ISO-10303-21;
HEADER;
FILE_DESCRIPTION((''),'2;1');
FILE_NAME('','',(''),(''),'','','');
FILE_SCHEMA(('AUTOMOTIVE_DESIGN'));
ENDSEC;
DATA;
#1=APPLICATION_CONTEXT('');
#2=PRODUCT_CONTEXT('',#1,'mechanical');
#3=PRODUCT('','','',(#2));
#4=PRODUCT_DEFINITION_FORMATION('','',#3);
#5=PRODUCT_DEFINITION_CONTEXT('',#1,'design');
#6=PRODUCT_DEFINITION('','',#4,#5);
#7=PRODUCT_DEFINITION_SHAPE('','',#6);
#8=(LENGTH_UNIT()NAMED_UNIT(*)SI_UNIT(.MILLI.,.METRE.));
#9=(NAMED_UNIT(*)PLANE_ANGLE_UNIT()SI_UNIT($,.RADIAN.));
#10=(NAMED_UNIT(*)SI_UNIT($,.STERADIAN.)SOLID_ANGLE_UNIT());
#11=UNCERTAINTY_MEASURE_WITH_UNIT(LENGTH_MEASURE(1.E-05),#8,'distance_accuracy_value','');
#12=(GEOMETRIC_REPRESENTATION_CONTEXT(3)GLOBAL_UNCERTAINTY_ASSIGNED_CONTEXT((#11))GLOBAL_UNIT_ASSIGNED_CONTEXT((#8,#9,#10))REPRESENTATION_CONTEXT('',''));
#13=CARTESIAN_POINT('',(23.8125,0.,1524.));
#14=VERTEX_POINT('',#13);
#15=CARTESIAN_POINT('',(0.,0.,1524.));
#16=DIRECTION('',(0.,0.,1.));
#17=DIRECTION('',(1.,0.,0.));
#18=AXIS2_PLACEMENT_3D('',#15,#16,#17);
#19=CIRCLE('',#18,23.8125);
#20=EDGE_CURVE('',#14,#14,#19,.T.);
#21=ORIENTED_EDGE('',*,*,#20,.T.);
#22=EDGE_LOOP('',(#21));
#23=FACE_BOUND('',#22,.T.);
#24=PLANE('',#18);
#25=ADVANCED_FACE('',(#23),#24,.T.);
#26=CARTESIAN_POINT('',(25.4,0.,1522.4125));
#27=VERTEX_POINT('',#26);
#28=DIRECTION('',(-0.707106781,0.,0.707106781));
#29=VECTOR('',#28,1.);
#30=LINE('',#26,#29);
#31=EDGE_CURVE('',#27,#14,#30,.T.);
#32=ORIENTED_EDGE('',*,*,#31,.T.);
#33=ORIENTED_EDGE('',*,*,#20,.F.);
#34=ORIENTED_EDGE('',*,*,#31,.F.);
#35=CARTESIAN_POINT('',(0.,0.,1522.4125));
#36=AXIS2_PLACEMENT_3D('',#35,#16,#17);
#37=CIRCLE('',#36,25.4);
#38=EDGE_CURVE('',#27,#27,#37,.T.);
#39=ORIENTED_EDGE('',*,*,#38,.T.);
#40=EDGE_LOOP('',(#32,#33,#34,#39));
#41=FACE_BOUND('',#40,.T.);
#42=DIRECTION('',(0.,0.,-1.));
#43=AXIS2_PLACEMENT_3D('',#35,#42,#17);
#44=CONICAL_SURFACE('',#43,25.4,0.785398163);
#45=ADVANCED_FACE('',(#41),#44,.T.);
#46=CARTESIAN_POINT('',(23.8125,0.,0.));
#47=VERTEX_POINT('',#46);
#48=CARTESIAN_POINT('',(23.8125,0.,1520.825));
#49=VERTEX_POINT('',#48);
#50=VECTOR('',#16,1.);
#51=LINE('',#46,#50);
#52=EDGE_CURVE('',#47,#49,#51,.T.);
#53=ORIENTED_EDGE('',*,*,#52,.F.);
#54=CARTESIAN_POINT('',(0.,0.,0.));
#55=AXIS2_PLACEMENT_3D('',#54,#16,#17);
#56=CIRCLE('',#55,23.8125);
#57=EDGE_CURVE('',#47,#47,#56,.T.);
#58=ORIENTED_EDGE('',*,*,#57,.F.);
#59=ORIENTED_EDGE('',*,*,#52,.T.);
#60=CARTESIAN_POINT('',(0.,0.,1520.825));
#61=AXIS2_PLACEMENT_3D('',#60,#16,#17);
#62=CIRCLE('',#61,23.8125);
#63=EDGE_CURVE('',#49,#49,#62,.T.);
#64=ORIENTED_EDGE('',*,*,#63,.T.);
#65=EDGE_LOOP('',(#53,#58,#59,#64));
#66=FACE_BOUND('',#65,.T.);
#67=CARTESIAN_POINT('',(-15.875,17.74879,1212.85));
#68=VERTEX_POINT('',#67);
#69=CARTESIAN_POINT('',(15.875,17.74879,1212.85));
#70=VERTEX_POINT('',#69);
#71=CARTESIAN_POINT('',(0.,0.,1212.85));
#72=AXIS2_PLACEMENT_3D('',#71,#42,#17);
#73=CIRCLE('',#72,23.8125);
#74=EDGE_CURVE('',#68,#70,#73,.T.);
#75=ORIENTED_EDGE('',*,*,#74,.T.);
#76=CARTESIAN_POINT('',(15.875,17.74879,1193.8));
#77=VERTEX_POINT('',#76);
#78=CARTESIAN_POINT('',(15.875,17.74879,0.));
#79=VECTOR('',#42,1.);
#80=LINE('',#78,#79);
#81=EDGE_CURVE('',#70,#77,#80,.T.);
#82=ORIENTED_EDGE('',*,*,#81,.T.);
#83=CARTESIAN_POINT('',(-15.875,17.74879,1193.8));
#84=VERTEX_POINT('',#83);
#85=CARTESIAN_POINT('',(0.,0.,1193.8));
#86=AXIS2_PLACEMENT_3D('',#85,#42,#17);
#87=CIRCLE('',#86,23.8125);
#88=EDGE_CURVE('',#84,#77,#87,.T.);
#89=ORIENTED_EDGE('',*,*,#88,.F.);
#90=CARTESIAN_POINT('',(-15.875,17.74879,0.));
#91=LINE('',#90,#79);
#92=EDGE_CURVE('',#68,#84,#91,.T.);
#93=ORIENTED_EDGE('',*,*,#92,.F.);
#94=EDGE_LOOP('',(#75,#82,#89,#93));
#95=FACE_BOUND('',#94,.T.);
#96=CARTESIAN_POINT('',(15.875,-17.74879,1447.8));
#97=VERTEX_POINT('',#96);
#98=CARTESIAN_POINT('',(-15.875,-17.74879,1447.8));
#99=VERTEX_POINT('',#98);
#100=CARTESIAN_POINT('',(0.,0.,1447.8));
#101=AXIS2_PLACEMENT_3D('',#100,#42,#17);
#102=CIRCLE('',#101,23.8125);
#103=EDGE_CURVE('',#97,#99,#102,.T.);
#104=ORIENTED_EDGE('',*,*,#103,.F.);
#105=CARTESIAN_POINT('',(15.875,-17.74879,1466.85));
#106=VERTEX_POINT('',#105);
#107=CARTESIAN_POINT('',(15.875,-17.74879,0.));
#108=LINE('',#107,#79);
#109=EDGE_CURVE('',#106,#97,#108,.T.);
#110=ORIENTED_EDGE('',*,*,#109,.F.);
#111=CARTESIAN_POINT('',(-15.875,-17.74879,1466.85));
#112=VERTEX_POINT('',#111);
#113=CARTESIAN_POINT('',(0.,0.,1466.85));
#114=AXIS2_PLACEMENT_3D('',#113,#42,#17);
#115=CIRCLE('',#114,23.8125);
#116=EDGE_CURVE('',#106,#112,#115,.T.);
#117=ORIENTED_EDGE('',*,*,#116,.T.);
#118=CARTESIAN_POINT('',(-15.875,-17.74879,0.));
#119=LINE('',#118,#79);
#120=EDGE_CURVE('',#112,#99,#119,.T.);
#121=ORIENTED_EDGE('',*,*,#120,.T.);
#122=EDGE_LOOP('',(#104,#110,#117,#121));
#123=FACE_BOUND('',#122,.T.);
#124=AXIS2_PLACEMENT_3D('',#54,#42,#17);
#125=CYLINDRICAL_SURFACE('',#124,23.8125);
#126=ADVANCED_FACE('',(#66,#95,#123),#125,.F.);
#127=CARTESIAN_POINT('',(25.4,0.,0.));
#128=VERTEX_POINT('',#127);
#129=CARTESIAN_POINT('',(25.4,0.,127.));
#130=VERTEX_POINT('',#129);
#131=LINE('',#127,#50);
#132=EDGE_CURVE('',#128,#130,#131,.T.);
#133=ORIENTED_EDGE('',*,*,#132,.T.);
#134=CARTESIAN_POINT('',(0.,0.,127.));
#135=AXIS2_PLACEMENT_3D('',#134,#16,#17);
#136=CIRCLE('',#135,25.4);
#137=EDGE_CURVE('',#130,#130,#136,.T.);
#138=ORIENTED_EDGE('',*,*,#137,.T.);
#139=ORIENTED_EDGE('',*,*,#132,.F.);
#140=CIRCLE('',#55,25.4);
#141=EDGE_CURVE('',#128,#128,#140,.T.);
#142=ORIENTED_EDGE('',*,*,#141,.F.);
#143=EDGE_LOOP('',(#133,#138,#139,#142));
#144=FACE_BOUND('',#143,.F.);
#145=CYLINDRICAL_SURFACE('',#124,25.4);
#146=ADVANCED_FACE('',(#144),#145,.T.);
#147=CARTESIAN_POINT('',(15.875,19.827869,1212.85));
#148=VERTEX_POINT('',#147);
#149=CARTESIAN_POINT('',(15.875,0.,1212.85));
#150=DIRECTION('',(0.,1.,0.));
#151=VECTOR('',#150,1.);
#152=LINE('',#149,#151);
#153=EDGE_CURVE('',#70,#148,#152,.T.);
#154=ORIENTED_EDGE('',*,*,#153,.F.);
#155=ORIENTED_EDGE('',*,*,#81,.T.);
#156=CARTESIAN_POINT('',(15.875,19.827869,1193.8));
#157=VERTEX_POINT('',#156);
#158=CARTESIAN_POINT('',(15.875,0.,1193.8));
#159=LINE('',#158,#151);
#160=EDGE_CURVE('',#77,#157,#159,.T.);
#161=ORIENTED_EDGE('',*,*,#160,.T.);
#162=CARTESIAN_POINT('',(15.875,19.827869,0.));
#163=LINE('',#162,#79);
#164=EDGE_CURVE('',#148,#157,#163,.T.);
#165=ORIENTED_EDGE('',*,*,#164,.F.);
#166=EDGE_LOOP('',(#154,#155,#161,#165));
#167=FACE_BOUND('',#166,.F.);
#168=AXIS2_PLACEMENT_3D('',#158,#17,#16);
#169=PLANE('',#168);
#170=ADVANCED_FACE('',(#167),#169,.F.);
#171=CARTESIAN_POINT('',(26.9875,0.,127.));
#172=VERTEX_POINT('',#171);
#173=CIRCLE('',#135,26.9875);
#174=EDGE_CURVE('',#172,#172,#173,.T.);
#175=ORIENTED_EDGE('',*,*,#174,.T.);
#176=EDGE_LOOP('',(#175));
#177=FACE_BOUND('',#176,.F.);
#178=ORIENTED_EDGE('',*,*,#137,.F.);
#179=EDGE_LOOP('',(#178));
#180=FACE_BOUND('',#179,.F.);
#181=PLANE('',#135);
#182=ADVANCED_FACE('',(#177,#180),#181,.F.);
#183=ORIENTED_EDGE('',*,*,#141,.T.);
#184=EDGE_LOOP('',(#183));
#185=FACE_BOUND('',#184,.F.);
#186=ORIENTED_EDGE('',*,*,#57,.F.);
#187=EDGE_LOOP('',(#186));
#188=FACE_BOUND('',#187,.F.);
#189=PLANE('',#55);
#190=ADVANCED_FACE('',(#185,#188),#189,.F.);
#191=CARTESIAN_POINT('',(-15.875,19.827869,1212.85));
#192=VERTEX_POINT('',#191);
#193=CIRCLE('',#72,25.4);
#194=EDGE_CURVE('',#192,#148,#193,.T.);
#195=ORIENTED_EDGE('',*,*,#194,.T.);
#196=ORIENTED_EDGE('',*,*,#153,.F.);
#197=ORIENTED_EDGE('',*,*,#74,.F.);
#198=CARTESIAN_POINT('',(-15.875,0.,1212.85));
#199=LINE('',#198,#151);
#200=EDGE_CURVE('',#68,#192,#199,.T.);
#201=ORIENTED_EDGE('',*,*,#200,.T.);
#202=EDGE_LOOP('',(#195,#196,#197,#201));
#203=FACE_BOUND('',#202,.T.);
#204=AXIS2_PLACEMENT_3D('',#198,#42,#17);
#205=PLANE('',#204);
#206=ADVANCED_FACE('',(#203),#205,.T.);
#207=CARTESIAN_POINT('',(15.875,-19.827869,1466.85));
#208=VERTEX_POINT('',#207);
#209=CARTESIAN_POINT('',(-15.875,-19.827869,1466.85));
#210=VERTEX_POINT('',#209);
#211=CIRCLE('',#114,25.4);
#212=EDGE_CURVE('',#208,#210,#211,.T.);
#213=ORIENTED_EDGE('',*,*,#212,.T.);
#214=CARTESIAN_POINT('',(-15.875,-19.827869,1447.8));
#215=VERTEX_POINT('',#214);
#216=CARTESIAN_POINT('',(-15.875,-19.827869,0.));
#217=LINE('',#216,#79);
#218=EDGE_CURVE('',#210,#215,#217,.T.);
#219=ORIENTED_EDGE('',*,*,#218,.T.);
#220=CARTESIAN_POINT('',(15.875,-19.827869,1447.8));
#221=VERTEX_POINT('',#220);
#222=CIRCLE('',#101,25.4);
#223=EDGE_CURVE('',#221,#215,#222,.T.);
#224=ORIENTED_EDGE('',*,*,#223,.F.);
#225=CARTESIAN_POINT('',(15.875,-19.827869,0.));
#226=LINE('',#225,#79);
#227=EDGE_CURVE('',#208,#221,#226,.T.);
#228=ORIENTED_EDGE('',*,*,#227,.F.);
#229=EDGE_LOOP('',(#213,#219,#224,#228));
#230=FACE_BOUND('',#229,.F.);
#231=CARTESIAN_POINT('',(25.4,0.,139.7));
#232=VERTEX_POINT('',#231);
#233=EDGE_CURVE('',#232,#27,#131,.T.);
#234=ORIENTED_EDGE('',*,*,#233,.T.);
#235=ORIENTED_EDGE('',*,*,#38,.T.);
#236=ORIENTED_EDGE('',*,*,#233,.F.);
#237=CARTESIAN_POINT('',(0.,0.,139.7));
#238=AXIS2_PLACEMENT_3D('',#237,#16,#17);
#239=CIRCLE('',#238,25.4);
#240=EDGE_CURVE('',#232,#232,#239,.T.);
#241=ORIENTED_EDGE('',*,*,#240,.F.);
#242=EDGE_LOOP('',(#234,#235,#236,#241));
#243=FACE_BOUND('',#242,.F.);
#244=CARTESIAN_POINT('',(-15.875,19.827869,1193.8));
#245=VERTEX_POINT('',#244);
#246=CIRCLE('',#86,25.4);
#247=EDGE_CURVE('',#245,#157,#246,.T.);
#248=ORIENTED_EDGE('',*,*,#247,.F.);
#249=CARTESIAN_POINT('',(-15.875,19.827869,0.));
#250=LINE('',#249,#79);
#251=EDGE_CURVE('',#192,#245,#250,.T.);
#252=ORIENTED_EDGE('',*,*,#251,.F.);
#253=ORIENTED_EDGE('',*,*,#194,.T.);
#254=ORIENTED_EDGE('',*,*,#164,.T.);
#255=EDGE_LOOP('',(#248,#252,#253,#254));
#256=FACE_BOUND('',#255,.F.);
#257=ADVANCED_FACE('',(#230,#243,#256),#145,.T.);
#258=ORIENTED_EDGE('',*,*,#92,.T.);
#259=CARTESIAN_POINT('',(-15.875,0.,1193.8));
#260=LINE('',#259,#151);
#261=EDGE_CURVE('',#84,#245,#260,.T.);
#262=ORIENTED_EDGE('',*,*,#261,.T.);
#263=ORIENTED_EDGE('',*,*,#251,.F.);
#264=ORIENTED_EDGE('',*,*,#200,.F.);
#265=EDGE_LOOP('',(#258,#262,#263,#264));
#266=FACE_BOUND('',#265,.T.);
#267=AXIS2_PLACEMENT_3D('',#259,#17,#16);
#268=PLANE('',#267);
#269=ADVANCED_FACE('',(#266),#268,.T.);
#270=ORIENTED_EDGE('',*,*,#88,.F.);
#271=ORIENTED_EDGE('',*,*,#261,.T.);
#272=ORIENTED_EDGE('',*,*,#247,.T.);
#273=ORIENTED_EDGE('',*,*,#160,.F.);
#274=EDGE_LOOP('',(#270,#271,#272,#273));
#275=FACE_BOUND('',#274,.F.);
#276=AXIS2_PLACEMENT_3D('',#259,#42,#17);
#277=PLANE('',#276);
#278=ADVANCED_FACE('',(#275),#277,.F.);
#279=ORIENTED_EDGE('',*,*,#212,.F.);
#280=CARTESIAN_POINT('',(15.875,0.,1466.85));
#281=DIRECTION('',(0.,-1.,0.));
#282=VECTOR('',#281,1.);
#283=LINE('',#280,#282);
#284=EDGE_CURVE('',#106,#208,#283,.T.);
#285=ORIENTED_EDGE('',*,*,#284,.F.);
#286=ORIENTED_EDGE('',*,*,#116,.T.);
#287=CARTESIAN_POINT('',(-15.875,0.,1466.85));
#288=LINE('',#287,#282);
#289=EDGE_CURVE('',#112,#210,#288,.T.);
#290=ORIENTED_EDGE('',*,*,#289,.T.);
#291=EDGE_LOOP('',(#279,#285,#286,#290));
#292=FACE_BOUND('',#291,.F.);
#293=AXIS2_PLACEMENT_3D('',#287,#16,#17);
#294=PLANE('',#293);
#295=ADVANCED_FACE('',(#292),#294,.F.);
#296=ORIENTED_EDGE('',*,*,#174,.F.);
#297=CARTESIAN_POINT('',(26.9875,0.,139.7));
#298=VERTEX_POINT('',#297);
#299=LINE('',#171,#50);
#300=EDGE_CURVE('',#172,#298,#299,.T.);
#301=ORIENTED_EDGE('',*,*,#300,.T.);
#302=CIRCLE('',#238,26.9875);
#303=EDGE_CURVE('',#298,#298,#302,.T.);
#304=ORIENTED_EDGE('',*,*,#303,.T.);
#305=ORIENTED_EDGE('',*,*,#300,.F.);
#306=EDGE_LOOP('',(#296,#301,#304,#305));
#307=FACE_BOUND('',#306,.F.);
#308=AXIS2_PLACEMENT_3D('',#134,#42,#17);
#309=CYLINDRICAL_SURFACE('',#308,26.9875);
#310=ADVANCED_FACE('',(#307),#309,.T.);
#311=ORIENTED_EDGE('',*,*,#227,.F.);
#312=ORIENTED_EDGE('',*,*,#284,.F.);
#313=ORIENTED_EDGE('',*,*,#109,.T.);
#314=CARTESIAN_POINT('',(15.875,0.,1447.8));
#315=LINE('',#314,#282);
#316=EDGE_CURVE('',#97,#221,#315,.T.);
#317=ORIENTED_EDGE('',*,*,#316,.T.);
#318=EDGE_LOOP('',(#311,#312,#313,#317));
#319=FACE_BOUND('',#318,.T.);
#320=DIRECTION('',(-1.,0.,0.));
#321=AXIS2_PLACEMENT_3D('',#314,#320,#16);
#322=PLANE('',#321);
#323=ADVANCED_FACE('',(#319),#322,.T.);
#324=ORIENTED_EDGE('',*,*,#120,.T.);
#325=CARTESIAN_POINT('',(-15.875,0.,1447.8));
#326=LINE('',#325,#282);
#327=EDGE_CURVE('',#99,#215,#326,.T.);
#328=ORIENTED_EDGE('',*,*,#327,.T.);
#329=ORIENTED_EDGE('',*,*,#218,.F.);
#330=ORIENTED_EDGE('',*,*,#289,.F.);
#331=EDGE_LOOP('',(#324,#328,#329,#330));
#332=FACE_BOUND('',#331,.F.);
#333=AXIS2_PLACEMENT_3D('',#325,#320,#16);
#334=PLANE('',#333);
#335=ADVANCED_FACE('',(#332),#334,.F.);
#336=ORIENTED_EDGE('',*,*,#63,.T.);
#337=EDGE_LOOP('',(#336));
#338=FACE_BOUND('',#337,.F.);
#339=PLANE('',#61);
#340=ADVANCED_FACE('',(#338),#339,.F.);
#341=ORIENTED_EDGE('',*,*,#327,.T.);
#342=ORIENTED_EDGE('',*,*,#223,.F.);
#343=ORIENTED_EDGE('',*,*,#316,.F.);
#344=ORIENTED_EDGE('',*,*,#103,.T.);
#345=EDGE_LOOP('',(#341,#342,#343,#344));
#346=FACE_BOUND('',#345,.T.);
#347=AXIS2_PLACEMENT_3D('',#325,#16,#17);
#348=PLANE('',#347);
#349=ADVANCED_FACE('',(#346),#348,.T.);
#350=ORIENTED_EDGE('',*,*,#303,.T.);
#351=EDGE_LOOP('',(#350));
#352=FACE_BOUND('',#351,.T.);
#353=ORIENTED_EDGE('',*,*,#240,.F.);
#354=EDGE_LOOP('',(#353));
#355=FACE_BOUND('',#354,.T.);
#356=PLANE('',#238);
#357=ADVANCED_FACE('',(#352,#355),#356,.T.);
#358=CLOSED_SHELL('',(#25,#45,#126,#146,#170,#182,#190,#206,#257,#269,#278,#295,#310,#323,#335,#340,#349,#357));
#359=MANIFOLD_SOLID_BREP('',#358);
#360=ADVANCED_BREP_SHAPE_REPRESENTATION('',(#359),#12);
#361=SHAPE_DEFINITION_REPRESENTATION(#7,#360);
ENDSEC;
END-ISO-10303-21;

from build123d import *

# Parameters (mm, degrees)
F0_R     = 25.4
F0_R_2   = 23.8125
F1_DEPTH = 1524
F2_DEPTH = 1520.825
F3_SIZE  = 1.5875
F4_W     = 31.75
F4_H     = 19.05
F5_DEPTH = 50.8
F6_START = 127
F0_R_3   = 26.9875
F6_DEPTH = 12.7
F7_DEPTH = 139.7


with BuildPart() as f1:
    # F0 (on Top) → F1 (new body)
    with BuildSketch(Plane.XY):
        Circle(F0_R)
        Circle(F0_R_2, mode=Mode.SUBTRACT)
        Circle(F0_R_2)
    extrude(amount=F1_DEPTH)

    # F0 (on Top) → F2 (cut)
    with BuildSketch(Plane.XY):
        Circle(F0_R_2)
    extrude(amount=F2_DEPTH, mode=Mode.SUBTRACT)

    # F3
    f3_edges = [f1.edges().sort_by_distance(p)[0] for p in [
        (-25.4, 0, 1524),
    ]]
    chamfer(f3_edges, length=F3_SIZE)

    # F4 (on Front) → F5 (cut)
    with BuildSketch(Plane.XZ):
        with Locations((0, 1203.325)):
            Rectangle(F4_W, F4_H)
    extrude(amount=-F5_DEPTH, mode=Mode.SUBTRACT)

    # F0 (on Top) → F6 (join)
    with BuildSketch(Plane.XY.offset(F6_START)):
        Circle(F0_R_3)
        Circle(F0_R, mode=Mode.SUBTRACT)
    extrude(amount=F6_DEPTH)

    # F4 (on Front) → F7 (cut)
    with BuildSketch(Plane.XZ):
        with Locations((0, 1457.325)):
            Rectangle(F4_W, F4_H)
    extrude(amount=F7_DEPTH, mode=Mode.SUBTRACT)


solid = f1.part
